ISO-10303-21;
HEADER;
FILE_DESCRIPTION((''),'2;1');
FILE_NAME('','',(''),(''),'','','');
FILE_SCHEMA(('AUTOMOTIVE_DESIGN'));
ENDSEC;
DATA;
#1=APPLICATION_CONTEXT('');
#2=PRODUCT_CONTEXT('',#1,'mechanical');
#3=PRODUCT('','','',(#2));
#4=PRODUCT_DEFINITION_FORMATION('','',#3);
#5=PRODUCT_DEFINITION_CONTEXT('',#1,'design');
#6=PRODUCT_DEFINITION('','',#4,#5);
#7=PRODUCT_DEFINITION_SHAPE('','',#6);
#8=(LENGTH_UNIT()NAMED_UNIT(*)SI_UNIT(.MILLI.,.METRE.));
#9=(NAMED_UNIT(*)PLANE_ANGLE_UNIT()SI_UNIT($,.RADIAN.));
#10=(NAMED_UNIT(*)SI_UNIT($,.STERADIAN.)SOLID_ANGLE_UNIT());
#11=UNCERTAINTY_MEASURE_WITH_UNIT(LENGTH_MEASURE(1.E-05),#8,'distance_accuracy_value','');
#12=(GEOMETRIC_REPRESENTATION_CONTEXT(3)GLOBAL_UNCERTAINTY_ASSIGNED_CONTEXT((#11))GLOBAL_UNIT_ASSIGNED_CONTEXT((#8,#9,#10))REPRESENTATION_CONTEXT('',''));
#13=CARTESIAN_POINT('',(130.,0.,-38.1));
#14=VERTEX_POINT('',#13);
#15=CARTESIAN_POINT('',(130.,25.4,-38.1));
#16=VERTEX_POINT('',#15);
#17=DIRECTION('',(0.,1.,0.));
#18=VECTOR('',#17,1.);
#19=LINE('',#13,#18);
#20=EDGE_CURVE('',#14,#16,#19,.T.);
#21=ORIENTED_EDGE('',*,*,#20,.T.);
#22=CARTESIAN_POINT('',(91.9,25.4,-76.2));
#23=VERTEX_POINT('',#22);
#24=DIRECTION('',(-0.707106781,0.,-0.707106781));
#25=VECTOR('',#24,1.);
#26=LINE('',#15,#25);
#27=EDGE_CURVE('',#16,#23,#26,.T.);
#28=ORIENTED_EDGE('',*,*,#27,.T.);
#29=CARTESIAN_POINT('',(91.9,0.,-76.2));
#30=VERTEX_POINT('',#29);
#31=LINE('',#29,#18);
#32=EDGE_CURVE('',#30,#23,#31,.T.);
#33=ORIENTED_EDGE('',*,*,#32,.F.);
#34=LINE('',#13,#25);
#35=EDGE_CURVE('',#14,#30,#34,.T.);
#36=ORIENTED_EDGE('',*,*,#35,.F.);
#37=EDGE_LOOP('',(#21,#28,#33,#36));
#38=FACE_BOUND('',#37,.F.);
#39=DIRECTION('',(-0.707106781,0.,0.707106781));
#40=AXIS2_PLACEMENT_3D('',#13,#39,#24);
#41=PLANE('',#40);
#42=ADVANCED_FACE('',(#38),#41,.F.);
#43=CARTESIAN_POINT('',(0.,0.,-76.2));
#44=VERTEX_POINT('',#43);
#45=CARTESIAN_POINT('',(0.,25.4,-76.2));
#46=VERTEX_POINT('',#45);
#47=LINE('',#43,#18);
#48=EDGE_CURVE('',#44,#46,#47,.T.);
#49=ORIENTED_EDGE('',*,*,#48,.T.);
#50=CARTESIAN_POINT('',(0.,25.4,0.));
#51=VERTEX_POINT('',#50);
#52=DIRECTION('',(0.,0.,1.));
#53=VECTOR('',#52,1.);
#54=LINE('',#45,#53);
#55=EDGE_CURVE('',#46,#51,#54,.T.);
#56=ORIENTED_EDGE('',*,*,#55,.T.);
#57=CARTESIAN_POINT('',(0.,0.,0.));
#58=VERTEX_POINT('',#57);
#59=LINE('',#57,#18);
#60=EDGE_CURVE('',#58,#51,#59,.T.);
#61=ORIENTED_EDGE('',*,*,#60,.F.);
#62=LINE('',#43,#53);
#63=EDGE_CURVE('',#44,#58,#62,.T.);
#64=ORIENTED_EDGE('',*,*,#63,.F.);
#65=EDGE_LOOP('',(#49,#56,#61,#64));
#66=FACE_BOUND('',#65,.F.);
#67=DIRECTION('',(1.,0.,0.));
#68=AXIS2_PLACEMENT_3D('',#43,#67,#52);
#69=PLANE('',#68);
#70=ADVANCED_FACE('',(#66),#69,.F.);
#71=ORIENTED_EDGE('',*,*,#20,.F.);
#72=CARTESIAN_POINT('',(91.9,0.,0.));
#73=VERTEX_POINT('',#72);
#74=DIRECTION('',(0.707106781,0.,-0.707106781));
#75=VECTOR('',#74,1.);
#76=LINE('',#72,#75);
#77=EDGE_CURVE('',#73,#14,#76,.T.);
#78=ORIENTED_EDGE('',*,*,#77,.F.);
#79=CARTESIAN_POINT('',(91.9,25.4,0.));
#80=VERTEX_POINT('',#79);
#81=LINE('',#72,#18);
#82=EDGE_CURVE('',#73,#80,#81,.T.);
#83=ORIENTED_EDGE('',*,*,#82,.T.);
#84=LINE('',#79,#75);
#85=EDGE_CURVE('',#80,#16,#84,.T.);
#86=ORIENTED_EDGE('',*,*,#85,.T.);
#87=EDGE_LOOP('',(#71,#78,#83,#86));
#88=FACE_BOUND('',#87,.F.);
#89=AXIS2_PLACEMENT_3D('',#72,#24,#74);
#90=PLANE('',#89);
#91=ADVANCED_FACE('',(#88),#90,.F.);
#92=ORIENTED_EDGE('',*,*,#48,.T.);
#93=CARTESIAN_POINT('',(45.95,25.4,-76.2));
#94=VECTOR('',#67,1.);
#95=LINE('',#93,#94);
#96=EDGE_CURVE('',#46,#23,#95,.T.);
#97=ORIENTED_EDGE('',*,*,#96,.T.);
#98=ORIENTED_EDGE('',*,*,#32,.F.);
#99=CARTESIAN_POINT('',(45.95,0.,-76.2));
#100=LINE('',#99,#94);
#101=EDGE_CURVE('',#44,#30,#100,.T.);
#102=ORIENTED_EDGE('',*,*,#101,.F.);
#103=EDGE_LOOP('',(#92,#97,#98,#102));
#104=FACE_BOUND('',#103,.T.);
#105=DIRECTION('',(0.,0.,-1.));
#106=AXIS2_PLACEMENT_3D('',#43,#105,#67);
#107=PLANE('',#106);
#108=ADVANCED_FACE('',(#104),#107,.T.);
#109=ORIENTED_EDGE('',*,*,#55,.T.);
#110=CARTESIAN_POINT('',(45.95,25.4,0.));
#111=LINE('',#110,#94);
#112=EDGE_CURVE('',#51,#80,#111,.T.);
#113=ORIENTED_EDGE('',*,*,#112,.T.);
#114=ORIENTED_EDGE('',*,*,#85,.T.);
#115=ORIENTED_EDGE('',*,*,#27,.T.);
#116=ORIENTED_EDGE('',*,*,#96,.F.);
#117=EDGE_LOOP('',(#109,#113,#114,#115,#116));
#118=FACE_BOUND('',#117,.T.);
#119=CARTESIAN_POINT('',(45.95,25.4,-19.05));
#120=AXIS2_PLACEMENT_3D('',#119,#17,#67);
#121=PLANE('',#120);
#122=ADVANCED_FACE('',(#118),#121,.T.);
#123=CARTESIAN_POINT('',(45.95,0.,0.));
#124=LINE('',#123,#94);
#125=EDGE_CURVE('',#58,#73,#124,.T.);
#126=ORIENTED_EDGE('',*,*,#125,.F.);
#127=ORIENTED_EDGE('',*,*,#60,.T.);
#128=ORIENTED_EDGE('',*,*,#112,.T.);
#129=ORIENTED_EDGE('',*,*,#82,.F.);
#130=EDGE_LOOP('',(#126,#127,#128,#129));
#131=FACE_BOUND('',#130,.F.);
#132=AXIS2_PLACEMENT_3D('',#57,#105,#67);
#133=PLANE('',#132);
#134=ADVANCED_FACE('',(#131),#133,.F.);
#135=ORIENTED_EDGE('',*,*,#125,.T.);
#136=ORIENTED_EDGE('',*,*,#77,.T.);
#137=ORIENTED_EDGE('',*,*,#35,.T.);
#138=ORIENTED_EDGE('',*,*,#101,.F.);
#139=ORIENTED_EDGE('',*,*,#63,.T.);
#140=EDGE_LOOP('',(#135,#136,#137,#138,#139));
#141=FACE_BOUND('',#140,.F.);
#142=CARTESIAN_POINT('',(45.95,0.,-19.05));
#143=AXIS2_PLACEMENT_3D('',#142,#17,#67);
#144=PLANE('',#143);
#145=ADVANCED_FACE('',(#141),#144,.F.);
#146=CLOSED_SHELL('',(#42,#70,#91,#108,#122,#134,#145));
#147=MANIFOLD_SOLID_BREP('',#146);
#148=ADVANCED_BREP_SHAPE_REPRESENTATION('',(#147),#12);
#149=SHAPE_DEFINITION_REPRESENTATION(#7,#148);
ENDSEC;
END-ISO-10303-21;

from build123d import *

# Parameters (mm, degrees)
SKETCH1_W           = 91.9
SKETCH1_H           = 38.1
BOSS_EXTRUDE1_DEPTH = 25.4


with BuildPart() as part:
    # Sketch1 → Boss-Extrude1 (new body)
    with BuildSketch(Plane(origin=(0, 0, 0), x_dir=(1, 0, 0), z_dir=(0, 1, 0))):
        with Locations((45.95, 19.05)):
            Rectangle(SKETCH1_W, SKETCH1_H)
        Polygon((91.9, 0), (130, 38.1), (91.9, 38.1), align=None)
        Polygon((130, 38.1), (91.9, 76.2), (91.9, 38.1), align=None)
        with Locations((45.95, 57.15)):
            Rectangle(SKETCH1_W, SKETCH1_H)
    extrude(amount=BOSS_EXTRUDE1_DEPTH)


solid = part.part
